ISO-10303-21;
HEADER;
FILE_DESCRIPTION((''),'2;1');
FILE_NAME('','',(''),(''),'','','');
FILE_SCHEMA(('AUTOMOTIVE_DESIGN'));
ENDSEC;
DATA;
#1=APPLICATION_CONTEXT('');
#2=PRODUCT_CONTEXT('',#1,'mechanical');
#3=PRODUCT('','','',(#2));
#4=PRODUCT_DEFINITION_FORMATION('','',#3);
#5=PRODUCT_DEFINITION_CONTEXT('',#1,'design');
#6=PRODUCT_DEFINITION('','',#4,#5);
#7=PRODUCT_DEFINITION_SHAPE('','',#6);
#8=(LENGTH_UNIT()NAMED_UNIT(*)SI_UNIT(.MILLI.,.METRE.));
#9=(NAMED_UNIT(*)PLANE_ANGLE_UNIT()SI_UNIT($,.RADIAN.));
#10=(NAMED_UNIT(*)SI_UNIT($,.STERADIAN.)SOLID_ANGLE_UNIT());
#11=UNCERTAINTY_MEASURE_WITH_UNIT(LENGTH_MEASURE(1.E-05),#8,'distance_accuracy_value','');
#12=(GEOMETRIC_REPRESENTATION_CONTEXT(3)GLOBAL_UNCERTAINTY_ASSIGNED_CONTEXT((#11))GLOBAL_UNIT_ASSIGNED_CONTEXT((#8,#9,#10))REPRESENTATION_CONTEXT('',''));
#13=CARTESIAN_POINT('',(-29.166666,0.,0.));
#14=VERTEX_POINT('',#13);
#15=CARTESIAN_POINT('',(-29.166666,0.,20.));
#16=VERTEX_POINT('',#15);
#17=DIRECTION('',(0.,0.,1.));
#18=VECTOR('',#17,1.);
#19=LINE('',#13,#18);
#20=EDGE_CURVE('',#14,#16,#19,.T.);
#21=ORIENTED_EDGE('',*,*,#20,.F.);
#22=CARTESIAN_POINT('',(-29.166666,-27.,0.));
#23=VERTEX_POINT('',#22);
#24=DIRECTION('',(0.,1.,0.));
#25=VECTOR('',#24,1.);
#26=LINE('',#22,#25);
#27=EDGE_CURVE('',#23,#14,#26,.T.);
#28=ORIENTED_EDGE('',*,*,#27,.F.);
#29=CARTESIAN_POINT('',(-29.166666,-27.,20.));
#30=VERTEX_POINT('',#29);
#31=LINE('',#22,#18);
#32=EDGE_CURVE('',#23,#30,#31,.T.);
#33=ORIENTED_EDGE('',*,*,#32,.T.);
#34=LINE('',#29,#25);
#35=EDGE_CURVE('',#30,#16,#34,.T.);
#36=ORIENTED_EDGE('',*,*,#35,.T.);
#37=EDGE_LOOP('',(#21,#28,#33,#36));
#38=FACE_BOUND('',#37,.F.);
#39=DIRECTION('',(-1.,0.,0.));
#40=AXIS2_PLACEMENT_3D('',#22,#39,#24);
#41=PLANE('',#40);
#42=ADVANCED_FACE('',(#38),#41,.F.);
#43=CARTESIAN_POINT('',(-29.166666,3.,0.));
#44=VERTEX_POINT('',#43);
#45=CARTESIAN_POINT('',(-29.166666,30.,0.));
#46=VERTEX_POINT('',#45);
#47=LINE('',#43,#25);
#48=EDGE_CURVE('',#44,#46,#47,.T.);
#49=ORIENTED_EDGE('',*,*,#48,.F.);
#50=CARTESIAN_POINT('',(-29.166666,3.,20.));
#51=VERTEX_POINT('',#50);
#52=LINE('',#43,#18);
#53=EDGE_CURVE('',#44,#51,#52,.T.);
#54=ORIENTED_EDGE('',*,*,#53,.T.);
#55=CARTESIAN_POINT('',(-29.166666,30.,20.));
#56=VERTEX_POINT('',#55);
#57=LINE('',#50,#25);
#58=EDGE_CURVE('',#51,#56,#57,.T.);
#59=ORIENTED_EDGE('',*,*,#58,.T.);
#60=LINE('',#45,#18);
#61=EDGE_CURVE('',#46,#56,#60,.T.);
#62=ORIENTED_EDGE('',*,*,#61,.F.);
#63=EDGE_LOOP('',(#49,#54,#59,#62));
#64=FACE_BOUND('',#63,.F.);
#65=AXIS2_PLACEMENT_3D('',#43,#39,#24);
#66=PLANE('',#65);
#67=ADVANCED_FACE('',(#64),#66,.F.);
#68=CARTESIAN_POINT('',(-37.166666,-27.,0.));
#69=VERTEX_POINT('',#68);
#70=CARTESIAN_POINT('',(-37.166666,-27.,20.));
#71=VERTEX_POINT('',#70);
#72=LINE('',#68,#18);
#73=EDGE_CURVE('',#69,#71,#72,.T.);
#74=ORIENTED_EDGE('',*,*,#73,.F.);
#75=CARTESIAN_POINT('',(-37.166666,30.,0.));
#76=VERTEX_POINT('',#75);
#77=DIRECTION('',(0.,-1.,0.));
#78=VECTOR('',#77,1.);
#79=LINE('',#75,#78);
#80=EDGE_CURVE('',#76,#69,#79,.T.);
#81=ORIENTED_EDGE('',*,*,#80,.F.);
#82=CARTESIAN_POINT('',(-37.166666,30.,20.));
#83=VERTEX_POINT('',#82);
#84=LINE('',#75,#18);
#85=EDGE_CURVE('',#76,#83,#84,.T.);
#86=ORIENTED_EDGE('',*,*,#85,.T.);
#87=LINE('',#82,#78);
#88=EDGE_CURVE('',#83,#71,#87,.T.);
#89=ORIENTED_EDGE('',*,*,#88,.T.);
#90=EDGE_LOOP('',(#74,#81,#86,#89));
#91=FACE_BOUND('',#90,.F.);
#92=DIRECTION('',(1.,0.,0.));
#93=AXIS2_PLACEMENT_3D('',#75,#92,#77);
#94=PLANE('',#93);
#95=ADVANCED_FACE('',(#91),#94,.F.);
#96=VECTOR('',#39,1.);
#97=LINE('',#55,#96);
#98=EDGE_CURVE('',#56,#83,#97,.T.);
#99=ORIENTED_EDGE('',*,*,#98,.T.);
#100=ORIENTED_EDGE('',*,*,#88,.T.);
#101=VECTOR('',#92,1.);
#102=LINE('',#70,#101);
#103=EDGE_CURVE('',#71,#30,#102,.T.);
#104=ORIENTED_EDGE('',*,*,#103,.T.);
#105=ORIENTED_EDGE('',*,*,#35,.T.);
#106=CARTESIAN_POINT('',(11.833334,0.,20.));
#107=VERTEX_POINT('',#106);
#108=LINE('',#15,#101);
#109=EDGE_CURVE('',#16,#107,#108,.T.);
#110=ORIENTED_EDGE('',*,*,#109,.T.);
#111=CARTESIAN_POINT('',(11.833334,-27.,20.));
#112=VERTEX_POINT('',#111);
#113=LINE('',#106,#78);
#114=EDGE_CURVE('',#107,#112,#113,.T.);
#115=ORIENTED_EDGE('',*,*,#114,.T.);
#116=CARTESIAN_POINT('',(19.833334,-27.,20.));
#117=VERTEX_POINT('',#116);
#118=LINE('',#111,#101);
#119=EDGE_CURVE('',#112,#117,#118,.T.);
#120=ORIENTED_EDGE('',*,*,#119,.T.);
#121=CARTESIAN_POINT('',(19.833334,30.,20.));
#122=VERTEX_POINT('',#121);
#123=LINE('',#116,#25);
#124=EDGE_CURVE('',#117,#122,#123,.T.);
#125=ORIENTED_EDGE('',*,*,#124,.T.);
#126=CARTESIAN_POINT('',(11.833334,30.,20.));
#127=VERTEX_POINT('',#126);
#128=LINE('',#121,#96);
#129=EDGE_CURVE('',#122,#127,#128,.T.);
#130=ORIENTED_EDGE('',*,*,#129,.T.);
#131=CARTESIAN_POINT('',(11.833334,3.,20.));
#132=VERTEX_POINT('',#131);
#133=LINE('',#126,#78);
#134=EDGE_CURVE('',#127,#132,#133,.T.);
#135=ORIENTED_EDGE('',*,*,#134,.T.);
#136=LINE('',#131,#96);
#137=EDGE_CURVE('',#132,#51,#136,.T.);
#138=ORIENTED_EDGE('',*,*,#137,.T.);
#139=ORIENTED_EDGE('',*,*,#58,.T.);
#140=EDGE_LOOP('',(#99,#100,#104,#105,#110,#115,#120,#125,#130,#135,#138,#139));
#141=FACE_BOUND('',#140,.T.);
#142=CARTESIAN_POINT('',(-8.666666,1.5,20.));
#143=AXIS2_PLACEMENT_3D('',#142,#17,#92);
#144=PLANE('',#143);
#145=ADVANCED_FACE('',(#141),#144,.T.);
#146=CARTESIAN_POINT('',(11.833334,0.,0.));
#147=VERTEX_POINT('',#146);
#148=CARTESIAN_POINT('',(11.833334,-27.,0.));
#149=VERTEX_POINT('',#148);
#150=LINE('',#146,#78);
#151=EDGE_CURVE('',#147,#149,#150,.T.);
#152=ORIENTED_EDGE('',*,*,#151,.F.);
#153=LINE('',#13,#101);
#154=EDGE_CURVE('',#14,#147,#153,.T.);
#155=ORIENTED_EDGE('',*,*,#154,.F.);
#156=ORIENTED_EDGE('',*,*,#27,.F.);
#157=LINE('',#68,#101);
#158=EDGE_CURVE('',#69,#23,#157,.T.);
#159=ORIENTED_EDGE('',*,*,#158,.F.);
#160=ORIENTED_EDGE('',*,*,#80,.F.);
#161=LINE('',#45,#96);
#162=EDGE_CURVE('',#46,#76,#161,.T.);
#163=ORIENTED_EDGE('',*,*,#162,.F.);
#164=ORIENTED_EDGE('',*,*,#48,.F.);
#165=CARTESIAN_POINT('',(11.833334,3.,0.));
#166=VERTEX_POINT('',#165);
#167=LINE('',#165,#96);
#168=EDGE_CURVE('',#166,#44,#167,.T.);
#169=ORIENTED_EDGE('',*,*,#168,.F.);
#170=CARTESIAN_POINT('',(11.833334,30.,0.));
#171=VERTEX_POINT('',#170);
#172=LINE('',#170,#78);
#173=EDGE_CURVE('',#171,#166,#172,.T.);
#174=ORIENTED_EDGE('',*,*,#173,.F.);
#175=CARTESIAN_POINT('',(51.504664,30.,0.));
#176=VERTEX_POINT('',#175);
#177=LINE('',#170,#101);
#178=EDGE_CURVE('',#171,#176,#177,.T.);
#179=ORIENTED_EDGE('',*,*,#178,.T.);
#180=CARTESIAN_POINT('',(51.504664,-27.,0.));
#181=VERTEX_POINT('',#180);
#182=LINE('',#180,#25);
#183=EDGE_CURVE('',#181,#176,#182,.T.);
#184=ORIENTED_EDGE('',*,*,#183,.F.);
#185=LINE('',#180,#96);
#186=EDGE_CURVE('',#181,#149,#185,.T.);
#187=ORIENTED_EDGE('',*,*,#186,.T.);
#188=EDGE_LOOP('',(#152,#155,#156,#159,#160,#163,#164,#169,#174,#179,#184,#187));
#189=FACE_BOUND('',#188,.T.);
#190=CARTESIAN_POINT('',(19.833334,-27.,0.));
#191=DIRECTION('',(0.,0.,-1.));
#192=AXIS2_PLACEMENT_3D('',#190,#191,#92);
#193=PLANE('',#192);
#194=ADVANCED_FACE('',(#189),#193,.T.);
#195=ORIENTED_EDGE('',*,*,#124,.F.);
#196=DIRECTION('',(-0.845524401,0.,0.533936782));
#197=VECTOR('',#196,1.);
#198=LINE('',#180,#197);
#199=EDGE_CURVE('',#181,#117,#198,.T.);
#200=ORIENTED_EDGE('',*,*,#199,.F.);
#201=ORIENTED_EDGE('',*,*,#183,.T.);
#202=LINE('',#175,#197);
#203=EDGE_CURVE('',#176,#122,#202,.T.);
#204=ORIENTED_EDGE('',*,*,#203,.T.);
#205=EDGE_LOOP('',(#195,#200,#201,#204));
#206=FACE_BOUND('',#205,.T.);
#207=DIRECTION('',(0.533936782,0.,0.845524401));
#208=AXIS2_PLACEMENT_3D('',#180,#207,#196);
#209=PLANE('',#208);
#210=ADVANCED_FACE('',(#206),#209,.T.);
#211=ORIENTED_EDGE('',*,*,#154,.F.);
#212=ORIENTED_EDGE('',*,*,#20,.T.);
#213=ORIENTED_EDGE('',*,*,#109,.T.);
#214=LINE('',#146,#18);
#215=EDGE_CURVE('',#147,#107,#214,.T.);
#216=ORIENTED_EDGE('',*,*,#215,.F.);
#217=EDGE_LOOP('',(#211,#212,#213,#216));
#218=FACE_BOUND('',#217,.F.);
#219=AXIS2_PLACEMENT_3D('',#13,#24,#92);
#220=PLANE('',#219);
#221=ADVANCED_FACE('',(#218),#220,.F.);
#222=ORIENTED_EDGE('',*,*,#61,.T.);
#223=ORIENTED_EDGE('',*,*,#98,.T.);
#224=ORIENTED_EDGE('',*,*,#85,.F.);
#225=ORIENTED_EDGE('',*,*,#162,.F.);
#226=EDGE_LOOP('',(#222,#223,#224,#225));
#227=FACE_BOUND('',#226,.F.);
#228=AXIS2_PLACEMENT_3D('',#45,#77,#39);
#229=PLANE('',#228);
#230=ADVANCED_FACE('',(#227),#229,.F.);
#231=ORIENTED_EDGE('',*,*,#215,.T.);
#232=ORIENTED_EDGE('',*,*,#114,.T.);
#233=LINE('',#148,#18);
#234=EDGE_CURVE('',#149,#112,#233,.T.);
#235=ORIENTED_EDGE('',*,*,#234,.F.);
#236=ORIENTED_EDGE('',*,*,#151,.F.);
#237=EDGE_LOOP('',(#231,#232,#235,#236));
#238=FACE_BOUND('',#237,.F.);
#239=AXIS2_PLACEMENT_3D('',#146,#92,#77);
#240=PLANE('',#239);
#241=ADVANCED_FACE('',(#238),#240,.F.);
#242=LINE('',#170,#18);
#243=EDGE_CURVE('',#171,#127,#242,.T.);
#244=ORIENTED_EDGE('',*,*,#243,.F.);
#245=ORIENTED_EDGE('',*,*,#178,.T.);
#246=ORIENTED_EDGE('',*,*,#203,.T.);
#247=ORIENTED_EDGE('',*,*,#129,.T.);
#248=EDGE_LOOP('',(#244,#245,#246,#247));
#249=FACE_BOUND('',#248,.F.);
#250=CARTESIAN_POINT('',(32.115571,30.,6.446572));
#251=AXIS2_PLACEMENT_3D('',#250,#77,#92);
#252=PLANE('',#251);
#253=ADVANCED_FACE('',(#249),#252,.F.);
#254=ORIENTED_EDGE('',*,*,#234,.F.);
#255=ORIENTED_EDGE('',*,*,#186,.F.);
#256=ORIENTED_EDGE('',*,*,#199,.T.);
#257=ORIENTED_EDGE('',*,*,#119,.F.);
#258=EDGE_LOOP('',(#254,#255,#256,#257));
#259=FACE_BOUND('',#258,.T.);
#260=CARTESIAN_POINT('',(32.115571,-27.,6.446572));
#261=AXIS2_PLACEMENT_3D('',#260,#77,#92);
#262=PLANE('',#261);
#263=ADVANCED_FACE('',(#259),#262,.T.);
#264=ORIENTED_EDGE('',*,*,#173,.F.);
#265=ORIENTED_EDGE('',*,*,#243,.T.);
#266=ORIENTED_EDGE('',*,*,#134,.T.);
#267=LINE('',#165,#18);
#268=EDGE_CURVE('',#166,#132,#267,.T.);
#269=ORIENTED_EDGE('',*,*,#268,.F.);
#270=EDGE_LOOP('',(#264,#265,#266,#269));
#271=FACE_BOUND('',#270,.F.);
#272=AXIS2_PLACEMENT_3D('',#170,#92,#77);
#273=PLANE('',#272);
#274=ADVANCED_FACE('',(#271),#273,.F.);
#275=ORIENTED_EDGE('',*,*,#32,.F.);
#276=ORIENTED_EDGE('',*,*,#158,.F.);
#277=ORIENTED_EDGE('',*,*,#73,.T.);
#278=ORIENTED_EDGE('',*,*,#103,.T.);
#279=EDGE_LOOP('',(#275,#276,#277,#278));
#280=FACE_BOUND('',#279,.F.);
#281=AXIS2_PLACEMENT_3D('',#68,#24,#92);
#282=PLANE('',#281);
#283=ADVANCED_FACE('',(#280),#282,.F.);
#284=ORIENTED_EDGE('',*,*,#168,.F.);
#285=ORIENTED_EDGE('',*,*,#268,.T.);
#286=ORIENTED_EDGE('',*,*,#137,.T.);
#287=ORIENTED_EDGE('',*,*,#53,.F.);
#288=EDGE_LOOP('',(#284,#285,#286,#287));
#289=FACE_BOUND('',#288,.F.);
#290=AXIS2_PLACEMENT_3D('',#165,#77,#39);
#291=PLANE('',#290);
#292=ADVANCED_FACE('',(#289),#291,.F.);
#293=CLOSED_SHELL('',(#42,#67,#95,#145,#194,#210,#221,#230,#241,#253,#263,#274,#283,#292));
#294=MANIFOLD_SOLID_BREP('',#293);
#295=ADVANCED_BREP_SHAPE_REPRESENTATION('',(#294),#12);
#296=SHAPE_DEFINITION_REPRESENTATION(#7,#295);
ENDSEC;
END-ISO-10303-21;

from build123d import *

# Parameters (mm, degrees)
F1_DEPTH = 20
F3_DEPTH = 57


with BuildPart() as f1:
    # F0 (on Top) → F1 (new body)
    with BuildSketch(Plane.XY):
        Polygon((-29.166666, 30), (-37.166666, 30), (-37.166666, -27), (-29.166666, -27), (-29.166666, 0), (11.833334, 0), (11.833334, -27), (19.833334, -27), (19.833334, 30), (11.833334, 30), (11.833334, 3), (-29.166666, 3), align=None)
    extrude(amount=F1_DEPTH)

    # F2 (on face) → F3 (join)
    with BuildSketch(Plane.XZ.offset(27)):
        Polygon((19.833334, 20), (19.833334, 0), (51.504664, 0), align=None)
    extrude(amount=-F3_DEPTH)


solid = f1.part
